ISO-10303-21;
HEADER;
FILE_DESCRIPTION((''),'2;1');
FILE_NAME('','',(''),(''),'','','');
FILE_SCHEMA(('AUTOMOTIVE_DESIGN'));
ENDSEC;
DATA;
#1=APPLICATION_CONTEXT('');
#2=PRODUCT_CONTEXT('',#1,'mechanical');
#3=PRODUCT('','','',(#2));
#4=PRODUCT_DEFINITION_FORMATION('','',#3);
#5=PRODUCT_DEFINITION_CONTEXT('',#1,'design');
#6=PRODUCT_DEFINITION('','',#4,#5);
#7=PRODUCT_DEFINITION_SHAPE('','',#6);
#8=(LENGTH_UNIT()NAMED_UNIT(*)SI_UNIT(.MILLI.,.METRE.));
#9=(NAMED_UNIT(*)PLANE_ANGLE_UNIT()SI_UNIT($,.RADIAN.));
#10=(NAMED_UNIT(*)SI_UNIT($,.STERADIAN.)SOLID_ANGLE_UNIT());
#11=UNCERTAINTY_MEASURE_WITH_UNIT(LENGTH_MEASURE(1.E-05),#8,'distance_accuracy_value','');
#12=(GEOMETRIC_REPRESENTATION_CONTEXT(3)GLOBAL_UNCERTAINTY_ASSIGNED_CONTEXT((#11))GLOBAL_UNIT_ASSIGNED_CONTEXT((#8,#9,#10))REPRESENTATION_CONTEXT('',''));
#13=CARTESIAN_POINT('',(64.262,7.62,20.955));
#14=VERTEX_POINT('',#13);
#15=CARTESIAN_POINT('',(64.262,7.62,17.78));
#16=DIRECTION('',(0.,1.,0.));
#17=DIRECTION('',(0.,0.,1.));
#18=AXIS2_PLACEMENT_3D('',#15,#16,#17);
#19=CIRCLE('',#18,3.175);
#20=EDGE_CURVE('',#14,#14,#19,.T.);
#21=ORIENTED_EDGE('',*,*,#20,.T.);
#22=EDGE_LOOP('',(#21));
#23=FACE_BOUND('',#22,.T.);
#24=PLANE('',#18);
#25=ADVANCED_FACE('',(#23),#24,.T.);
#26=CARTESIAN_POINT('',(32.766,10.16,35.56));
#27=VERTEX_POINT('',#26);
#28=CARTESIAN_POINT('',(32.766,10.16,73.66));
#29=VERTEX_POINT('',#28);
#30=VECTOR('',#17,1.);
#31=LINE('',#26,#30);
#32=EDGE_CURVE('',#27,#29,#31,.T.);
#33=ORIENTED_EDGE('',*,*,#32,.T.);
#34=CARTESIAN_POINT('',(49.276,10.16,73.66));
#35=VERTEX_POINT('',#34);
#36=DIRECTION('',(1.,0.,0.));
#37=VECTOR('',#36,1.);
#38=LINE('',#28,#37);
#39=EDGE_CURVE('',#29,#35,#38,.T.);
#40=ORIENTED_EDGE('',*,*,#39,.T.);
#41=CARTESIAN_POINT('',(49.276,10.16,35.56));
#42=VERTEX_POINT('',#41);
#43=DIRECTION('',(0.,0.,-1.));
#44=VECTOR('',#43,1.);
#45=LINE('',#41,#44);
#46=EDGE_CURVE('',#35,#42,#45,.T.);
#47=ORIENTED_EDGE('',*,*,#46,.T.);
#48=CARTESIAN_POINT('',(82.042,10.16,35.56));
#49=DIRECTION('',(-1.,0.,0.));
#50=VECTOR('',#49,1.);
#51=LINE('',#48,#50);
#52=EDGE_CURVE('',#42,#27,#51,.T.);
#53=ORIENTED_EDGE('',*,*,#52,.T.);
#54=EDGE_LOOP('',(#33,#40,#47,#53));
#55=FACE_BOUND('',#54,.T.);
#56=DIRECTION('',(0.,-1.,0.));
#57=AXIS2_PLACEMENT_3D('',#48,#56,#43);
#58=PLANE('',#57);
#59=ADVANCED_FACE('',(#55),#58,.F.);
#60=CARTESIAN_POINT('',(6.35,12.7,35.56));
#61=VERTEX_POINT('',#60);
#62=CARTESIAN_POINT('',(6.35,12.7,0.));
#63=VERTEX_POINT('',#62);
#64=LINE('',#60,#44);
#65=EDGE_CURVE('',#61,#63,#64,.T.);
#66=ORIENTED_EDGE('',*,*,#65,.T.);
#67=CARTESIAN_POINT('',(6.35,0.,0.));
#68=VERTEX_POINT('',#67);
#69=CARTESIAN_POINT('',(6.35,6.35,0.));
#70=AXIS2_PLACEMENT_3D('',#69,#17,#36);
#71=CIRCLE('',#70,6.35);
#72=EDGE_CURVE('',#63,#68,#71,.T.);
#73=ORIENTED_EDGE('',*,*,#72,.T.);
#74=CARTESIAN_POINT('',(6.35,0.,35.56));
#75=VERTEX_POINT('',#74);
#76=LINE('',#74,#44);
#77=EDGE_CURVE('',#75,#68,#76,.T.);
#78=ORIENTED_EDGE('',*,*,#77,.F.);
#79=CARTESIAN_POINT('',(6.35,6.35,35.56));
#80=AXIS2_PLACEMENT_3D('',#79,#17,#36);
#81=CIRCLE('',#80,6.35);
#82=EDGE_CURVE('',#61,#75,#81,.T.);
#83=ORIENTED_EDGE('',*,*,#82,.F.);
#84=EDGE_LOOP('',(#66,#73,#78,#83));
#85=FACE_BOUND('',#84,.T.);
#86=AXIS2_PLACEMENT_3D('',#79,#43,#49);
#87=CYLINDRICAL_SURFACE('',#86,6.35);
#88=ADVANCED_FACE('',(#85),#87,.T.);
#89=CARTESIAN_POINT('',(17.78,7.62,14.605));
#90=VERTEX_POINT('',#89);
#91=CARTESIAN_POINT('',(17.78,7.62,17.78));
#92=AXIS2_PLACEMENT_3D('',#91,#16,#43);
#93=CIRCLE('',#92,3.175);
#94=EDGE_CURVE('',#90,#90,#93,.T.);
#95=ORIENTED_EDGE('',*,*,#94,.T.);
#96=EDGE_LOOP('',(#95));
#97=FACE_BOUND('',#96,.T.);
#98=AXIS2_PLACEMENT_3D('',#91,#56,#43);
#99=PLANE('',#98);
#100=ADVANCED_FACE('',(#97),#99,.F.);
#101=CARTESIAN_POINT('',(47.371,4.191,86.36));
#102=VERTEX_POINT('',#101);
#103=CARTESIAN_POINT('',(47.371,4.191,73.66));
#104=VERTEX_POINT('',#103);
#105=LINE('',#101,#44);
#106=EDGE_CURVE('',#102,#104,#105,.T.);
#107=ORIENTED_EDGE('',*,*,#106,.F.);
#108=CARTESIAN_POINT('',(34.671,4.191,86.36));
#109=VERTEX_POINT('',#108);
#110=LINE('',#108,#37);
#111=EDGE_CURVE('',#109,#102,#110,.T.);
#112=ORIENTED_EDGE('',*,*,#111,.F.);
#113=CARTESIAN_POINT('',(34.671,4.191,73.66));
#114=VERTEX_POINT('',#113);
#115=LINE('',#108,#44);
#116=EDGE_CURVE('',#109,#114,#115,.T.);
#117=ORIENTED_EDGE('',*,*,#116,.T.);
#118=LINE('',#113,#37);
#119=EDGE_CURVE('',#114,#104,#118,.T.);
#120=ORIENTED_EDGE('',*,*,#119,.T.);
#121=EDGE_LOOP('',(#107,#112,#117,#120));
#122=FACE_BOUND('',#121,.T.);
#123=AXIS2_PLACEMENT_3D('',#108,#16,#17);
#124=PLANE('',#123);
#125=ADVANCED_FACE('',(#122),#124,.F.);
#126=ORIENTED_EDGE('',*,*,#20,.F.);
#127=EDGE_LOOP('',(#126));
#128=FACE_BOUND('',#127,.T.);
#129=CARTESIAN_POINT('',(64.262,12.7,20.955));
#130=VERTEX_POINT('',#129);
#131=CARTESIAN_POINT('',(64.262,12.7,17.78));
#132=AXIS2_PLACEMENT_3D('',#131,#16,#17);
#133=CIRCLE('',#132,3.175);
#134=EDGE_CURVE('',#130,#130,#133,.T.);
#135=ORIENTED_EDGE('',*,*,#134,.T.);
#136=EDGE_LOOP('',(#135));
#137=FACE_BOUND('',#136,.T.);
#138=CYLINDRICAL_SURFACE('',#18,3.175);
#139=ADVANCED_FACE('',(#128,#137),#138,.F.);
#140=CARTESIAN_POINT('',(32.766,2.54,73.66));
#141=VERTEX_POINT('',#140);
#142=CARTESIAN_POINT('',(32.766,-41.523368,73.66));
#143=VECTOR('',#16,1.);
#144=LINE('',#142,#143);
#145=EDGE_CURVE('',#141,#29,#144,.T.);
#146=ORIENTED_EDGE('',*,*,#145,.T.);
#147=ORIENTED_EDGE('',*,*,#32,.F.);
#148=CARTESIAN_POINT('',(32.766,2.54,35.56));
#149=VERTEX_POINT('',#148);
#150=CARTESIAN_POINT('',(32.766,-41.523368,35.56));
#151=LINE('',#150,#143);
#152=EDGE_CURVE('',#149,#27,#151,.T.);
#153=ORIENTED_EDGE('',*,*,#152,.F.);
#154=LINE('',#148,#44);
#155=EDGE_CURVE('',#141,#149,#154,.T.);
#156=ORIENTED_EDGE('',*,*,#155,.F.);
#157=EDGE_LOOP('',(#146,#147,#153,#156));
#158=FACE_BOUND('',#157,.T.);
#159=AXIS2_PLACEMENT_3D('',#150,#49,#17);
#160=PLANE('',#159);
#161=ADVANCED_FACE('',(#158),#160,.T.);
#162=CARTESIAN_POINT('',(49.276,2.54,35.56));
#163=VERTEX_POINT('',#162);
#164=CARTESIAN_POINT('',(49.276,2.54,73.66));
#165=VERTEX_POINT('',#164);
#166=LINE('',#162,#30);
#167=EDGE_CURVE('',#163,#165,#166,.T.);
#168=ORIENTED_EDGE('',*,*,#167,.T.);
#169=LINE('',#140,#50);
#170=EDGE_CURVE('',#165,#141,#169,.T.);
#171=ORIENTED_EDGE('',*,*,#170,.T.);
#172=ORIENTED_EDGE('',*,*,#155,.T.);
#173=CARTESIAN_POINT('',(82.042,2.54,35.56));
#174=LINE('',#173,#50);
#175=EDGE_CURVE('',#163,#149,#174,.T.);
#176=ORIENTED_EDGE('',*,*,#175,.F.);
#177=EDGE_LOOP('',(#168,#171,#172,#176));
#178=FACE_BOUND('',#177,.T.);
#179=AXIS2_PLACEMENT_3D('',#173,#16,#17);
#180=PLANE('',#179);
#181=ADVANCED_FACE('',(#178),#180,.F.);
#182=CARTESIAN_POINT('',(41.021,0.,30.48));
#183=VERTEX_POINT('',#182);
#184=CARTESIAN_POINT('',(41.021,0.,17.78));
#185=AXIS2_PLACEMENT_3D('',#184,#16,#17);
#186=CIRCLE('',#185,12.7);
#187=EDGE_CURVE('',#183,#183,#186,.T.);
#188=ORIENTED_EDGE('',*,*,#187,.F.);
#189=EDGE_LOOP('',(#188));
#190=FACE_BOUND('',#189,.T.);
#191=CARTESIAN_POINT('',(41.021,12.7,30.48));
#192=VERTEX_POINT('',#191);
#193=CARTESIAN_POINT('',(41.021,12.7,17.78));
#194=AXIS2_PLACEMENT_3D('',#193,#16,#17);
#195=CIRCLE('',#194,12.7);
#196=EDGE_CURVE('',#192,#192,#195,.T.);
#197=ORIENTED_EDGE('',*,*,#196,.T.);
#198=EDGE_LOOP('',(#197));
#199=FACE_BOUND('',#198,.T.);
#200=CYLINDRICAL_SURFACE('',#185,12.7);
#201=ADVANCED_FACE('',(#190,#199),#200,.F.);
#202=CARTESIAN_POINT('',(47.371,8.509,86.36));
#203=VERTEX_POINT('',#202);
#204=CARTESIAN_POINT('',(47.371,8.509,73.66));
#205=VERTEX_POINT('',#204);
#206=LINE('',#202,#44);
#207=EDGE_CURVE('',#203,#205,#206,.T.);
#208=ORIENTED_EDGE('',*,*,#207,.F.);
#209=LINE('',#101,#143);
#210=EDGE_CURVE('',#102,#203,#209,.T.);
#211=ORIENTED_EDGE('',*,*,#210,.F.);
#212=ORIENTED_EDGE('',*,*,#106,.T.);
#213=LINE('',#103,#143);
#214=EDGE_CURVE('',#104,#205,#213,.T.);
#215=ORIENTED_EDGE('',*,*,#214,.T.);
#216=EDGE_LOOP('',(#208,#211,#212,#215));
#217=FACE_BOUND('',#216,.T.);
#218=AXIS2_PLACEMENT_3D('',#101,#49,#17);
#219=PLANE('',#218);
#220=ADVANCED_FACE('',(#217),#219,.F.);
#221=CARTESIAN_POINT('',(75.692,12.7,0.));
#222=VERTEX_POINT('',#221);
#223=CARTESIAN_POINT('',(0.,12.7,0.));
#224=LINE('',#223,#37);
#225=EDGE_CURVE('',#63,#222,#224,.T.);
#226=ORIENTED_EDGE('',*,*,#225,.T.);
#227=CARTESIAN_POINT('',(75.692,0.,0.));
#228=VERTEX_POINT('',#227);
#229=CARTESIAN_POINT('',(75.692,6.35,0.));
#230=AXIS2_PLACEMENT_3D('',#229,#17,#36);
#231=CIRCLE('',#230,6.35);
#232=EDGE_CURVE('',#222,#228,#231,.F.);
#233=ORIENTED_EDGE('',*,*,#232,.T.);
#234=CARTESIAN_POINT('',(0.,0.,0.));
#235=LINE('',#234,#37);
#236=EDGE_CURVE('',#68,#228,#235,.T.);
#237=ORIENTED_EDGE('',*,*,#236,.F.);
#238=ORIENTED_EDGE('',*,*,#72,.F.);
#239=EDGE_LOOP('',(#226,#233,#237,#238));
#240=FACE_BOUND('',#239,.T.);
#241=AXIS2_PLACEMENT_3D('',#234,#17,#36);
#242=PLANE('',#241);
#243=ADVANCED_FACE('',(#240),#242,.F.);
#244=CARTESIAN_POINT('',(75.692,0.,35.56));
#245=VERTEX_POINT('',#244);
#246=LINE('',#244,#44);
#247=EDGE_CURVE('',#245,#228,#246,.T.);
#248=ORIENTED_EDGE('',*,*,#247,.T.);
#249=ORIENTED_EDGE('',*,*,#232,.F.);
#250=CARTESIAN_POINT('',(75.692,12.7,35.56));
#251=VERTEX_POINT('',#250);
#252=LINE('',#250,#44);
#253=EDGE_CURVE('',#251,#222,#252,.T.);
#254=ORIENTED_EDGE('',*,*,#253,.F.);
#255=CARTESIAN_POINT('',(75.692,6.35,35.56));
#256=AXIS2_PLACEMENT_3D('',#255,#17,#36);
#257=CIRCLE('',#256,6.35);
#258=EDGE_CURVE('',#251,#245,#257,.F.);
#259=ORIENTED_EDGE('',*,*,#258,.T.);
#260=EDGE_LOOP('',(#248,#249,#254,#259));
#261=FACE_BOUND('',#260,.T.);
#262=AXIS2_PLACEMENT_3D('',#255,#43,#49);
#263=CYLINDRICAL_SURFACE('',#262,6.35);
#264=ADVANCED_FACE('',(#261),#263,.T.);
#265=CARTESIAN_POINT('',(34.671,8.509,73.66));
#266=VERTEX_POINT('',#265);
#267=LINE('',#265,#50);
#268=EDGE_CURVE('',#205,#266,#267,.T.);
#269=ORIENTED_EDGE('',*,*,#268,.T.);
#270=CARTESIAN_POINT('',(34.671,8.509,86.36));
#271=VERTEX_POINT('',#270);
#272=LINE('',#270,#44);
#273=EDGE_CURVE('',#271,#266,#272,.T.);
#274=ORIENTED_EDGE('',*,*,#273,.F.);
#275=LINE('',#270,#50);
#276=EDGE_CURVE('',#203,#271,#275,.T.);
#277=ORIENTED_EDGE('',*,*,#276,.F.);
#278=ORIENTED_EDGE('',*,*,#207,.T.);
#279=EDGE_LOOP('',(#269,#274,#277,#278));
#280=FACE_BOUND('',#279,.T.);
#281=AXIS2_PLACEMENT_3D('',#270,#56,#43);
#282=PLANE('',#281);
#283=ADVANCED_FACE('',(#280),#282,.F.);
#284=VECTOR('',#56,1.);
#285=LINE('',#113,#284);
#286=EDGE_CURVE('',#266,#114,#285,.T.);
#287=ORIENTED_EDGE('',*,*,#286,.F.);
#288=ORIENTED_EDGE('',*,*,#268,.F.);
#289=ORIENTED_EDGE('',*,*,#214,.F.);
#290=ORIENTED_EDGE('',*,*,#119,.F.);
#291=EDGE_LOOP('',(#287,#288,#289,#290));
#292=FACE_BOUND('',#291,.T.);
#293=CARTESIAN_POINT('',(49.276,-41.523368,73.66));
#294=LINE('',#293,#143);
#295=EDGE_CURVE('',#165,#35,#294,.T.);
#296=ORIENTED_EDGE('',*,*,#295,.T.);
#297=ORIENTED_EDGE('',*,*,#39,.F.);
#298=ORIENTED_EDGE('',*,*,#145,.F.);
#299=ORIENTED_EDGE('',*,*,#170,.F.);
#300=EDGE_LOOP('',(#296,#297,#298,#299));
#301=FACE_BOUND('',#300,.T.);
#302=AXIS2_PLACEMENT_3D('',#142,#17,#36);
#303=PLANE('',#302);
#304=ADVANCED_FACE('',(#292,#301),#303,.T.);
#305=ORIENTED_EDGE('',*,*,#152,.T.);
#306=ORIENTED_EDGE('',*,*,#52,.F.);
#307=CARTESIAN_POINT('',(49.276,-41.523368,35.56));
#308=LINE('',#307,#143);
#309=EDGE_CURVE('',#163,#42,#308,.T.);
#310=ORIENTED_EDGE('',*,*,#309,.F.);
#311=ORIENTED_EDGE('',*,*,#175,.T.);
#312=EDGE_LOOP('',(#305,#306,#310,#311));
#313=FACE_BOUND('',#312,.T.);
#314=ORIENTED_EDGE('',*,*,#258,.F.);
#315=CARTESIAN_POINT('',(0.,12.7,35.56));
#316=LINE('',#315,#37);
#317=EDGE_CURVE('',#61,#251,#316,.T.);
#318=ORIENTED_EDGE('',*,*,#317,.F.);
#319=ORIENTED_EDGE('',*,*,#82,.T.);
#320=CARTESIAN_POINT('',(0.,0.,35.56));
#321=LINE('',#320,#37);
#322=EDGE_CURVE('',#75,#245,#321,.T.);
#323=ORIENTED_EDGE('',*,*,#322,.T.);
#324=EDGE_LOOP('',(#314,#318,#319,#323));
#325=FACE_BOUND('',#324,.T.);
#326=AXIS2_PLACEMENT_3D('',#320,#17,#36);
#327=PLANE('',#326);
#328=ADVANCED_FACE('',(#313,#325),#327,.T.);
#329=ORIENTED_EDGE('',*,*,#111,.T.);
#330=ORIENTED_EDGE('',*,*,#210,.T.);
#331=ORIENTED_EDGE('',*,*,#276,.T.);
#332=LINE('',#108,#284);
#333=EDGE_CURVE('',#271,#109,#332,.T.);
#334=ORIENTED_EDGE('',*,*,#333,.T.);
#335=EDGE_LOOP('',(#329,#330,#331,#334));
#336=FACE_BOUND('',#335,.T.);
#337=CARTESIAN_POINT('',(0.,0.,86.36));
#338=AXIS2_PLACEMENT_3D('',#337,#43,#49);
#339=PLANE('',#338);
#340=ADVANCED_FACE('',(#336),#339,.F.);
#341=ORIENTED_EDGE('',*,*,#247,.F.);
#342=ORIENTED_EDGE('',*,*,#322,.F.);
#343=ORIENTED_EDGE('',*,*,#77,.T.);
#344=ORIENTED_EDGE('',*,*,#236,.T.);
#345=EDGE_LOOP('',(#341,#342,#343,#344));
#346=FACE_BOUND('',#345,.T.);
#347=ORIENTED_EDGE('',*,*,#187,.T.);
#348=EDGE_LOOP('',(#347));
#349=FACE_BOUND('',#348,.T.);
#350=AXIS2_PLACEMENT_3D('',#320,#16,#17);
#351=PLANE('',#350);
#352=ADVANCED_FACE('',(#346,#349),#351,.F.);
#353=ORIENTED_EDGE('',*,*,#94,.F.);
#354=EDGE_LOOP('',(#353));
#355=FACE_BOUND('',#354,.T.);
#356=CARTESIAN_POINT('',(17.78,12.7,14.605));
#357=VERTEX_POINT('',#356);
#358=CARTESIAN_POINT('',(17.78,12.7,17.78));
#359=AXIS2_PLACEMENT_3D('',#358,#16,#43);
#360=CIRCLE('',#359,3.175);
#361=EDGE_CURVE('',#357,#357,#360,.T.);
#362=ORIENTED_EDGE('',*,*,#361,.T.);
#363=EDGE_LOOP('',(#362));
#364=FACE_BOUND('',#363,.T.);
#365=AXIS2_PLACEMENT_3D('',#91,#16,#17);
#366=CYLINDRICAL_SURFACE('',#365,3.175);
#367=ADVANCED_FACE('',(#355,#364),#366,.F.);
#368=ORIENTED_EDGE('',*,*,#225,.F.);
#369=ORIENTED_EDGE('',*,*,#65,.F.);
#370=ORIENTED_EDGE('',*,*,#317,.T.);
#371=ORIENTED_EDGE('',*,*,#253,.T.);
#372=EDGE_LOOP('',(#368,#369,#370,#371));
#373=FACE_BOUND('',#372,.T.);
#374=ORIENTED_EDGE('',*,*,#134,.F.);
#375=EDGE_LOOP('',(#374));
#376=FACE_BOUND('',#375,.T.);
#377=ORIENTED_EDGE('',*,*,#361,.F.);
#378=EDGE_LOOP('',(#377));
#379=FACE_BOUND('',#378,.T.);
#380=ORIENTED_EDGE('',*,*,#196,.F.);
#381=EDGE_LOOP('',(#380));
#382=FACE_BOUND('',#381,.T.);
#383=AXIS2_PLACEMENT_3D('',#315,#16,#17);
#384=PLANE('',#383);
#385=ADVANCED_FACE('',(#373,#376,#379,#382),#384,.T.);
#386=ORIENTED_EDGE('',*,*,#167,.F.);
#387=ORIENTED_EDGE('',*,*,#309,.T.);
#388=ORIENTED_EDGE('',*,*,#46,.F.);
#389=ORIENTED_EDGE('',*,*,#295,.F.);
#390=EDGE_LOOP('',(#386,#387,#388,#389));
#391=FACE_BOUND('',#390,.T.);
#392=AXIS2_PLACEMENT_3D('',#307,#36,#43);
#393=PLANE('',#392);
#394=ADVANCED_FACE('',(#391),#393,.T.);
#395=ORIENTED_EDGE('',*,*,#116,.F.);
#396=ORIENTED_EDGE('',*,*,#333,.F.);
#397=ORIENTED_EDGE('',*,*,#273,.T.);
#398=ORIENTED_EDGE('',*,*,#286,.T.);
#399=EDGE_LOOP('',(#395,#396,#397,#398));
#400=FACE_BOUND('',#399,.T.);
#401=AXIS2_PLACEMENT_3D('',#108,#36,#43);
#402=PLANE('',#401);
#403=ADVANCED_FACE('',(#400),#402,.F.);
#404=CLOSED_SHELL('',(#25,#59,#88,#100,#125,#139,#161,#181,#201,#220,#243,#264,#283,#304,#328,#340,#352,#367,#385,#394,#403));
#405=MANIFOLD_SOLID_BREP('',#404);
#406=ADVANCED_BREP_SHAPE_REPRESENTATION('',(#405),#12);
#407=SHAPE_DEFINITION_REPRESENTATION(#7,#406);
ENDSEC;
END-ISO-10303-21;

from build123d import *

# Parameters (mm, degrees)
BOSS_EXTRUDE1_DEPTH = 35.56
SKETCH2_W           = 16.51
SKETCH2_H           = 38.1
BOSS_EXTRUDE2_DEPTH = 12.7
SKETCH3_W           = 38.1
SKETCH3_H           = 2.54
CUT_EXTRUDE1_DEPTH  = 50.276
SKETCH4_W           = 12.7
SKETCH4_H           = 4.318
BOSS_EXTRUDE3_DEPTH = 12.7
SKETCH5_R           = 12.7
CUT_EXTRUDE2_DEPTH  = 13.7
SKETCH6_R           = 3.175
CUT_EXTRUDE3_DEPTH  = 5.08


with BuildPart() as part:
    # Sketch1 → Boss-Extrude1 (new body)
    with BuildSketch(Plane.XY):
        with BuildLine():
            ThreePointArc((0, 6.35), (1.859871939, 1.859871939), (6.35, 0))
            Line((6.35, 0), (75.692, 0))
            ThreePointArc((75.692, 0), (80.182128061, 1.859871939), (82.042, 6.35))
            ThreePointArc((82.042, 6.35), (80.182128061, 10.840128061), (75.692, 12.7))
            Line((75.692, 12.7), (6.35, 12.7))
            ThreePointArc((6.35, 12.7), (1.859871939, 10.840128061), (0, 6.35))
        make_face()
    extrude(amount=BOSS_EXTRUDE1_DEPTH)

    # Sketch2 → Boss-Extrude2 (add)
    with BuildSketch(Plane(origin=(0, 12.7, 0), x_dir=(1, 0, 0), z_dir=(0, 1, 0))):
        with Locations((41.021, -54.61)):
            Rectangle(SKETCH2_W, SKETCH2_H)
    extrude(amount=-BOSS_EXTRUDE2_DEPTH)

    # Sketch3 → Cut-Extrude1 (cut, through all)
    with BuildSketch(Plane.ZY.offset(-32.766)):
        with Locations((54.61, 11.43)):
            Rectangle(SKETCH3_W, SKETCH3_H)
        with Locations((54.61, 1.27)):
            Rectangle(SKETCH3_W, SKETCH3_H)
    extrude(amount=-CUT_EXTRUDE1_DEPTH, mode=Mode.SUBTRACT)

    # Sketch4 → Boss-Extrude3 (add)
    with BuildSketch(Plane.XY.offset(73.66)):
        with Locations((41.021, 6.35)):
            Rectangle(SKETCH4_W, SKETCH4_H)
    extrude(amount=BOSS_EXTRUDE3_DEPTH)

    # Sketch5 → Cut-Extrude2 (cut, through all)
    with BuildSketch(Plane(origin=(0, 12.7, 0), x_dir=(1, 0, 0), z_dir=(0, 1, 0))):
        with Locations((41.021, -17.78)):
            Circle(SKETCH5_R)
    extrude(amount=-CUT_EXTRUDE2_DEPTH, mode=Mode.SUBTRACT)

    # Sketch6 → Cut-Extrude3 (cut)
    with BuildSketch(Plane(origin=(0, 12.7, 0), x_dir=(1, 0, 0), z_dir=(0, 1, 0))):
        with Locations((64.262, -17.78)):
            Circle(SKETCH6_R)
        with Locations((17.78, -17.78)):
            Circle(SKETCH6_R)
    extrude(amount=-CUT_EXTRUDE3_DEPTH, mode=Mode.SUBTRACT)


solid = part.part
